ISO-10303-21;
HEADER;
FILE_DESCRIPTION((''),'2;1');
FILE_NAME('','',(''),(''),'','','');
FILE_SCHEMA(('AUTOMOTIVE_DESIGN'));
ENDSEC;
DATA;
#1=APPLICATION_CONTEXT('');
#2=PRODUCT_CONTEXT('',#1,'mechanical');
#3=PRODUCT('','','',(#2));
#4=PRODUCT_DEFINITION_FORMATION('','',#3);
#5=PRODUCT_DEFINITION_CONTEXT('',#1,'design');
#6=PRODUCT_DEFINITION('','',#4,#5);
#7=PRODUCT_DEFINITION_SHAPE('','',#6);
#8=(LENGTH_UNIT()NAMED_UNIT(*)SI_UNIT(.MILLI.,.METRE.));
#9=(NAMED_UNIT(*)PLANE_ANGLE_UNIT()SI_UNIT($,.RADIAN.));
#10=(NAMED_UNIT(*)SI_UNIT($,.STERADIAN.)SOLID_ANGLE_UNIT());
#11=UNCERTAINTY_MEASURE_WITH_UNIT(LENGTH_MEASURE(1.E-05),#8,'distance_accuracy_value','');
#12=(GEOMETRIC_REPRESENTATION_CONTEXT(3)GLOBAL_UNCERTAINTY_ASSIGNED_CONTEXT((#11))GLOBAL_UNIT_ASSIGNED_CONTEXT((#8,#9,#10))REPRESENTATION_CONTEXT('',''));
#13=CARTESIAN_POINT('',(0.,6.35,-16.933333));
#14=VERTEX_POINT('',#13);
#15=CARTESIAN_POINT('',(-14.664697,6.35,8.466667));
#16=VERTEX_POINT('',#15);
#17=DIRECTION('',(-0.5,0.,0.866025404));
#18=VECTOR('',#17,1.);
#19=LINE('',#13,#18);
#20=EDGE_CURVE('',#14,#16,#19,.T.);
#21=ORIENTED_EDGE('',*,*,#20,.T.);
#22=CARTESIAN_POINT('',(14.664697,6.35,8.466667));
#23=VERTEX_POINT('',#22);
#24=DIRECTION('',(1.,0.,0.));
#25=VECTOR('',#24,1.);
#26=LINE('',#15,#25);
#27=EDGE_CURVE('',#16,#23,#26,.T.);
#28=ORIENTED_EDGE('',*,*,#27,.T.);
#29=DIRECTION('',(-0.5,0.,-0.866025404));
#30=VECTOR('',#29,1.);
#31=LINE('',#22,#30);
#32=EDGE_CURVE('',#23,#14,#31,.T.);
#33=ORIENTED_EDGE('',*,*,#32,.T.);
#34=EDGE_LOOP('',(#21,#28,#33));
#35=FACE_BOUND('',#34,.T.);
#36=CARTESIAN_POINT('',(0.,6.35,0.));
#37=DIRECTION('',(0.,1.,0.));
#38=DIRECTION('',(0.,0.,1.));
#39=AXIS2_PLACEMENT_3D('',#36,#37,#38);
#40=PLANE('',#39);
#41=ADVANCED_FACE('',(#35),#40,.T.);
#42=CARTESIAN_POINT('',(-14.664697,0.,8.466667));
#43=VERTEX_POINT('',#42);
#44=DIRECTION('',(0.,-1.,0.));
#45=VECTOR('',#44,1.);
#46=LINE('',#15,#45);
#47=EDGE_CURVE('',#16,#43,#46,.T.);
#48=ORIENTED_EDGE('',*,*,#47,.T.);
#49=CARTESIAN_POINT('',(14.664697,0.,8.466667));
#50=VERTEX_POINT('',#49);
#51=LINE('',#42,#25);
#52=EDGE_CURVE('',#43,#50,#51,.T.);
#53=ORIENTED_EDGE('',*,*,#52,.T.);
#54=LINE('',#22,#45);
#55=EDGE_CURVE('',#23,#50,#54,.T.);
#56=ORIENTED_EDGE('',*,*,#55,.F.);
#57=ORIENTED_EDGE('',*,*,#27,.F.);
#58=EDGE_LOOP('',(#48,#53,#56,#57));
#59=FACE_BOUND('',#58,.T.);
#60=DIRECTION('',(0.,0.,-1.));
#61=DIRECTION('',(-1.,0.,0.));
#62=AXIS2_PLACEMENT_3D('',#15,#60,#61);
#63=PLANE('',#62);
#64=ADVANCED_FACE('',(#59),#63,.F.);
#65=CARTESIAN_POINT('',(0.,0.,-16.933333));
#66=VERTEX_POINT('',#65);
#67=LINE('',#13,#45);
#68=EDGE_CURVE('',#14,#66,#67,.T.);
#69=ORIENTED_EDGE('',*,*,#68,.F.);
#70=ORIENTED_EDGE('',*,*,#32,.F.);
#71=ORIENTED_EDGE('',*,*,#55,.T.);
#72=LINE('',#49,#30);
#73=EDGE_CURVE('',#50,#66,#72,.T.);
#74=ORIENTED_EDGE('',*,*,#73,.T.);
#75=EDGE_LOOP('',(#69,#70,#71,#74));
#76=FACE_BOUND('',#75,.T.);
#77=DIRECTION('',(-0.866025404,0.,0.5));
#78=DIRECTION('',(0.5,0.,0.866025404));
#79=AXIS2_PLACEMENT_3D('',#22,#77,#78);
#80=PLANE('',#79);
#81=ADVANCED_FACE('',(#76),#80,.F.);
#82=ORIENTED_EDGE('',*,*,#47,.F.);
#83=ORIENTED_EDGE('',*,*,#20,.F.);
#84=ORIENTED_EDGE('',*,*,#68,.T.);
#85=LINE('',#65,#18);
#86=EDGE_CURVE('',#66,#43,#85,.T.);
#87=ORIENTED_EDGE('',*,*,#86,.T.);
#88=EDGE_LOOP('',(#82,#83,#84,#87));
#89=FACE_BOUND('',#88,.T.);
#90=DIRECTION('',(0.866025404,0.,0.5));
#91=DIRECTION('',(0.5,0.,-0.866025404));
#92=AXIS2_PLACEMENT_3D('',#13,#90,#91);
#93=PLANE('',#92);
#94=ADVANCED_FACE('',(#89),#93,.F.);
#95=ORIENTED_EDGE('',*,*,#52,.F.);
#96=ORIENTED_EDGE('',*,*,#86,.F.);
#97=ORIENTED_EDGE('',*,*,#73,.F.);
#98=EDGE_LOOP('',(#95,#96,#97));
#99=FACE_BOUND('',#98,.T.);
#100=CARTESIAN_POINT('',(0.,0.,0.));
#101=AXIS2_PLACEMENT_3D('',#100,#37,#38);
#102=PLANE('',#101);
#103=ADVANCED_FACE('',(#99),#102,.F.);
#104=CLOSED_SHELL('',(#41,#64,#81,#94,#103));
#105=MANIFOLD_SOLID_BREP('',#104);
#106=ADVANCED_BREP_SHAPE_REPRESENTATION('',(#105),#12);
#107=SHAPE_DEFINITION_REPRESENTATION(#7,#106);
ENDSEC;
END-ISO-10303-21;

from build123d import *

# Parameters (mm, degrees)
BOSS_EXTRUDE1_DEPTH = 6.35


with BuildPart() as part:
    # Sketch1 → Boss-Extrude1 (new body)
    with BuildSketch(Plane(origin=(0, 0, 0), x_dir=(1, 0, 0), z_dir=(0, 1, 0))):
        Polygon((0, 16.933333333), (-14.664696837, -8.466666667), (14.664696837, -8.466666667), align=None)
    extrude(amount=BOSS_EXTRUDE1_DEPTH)


solid = part.part
